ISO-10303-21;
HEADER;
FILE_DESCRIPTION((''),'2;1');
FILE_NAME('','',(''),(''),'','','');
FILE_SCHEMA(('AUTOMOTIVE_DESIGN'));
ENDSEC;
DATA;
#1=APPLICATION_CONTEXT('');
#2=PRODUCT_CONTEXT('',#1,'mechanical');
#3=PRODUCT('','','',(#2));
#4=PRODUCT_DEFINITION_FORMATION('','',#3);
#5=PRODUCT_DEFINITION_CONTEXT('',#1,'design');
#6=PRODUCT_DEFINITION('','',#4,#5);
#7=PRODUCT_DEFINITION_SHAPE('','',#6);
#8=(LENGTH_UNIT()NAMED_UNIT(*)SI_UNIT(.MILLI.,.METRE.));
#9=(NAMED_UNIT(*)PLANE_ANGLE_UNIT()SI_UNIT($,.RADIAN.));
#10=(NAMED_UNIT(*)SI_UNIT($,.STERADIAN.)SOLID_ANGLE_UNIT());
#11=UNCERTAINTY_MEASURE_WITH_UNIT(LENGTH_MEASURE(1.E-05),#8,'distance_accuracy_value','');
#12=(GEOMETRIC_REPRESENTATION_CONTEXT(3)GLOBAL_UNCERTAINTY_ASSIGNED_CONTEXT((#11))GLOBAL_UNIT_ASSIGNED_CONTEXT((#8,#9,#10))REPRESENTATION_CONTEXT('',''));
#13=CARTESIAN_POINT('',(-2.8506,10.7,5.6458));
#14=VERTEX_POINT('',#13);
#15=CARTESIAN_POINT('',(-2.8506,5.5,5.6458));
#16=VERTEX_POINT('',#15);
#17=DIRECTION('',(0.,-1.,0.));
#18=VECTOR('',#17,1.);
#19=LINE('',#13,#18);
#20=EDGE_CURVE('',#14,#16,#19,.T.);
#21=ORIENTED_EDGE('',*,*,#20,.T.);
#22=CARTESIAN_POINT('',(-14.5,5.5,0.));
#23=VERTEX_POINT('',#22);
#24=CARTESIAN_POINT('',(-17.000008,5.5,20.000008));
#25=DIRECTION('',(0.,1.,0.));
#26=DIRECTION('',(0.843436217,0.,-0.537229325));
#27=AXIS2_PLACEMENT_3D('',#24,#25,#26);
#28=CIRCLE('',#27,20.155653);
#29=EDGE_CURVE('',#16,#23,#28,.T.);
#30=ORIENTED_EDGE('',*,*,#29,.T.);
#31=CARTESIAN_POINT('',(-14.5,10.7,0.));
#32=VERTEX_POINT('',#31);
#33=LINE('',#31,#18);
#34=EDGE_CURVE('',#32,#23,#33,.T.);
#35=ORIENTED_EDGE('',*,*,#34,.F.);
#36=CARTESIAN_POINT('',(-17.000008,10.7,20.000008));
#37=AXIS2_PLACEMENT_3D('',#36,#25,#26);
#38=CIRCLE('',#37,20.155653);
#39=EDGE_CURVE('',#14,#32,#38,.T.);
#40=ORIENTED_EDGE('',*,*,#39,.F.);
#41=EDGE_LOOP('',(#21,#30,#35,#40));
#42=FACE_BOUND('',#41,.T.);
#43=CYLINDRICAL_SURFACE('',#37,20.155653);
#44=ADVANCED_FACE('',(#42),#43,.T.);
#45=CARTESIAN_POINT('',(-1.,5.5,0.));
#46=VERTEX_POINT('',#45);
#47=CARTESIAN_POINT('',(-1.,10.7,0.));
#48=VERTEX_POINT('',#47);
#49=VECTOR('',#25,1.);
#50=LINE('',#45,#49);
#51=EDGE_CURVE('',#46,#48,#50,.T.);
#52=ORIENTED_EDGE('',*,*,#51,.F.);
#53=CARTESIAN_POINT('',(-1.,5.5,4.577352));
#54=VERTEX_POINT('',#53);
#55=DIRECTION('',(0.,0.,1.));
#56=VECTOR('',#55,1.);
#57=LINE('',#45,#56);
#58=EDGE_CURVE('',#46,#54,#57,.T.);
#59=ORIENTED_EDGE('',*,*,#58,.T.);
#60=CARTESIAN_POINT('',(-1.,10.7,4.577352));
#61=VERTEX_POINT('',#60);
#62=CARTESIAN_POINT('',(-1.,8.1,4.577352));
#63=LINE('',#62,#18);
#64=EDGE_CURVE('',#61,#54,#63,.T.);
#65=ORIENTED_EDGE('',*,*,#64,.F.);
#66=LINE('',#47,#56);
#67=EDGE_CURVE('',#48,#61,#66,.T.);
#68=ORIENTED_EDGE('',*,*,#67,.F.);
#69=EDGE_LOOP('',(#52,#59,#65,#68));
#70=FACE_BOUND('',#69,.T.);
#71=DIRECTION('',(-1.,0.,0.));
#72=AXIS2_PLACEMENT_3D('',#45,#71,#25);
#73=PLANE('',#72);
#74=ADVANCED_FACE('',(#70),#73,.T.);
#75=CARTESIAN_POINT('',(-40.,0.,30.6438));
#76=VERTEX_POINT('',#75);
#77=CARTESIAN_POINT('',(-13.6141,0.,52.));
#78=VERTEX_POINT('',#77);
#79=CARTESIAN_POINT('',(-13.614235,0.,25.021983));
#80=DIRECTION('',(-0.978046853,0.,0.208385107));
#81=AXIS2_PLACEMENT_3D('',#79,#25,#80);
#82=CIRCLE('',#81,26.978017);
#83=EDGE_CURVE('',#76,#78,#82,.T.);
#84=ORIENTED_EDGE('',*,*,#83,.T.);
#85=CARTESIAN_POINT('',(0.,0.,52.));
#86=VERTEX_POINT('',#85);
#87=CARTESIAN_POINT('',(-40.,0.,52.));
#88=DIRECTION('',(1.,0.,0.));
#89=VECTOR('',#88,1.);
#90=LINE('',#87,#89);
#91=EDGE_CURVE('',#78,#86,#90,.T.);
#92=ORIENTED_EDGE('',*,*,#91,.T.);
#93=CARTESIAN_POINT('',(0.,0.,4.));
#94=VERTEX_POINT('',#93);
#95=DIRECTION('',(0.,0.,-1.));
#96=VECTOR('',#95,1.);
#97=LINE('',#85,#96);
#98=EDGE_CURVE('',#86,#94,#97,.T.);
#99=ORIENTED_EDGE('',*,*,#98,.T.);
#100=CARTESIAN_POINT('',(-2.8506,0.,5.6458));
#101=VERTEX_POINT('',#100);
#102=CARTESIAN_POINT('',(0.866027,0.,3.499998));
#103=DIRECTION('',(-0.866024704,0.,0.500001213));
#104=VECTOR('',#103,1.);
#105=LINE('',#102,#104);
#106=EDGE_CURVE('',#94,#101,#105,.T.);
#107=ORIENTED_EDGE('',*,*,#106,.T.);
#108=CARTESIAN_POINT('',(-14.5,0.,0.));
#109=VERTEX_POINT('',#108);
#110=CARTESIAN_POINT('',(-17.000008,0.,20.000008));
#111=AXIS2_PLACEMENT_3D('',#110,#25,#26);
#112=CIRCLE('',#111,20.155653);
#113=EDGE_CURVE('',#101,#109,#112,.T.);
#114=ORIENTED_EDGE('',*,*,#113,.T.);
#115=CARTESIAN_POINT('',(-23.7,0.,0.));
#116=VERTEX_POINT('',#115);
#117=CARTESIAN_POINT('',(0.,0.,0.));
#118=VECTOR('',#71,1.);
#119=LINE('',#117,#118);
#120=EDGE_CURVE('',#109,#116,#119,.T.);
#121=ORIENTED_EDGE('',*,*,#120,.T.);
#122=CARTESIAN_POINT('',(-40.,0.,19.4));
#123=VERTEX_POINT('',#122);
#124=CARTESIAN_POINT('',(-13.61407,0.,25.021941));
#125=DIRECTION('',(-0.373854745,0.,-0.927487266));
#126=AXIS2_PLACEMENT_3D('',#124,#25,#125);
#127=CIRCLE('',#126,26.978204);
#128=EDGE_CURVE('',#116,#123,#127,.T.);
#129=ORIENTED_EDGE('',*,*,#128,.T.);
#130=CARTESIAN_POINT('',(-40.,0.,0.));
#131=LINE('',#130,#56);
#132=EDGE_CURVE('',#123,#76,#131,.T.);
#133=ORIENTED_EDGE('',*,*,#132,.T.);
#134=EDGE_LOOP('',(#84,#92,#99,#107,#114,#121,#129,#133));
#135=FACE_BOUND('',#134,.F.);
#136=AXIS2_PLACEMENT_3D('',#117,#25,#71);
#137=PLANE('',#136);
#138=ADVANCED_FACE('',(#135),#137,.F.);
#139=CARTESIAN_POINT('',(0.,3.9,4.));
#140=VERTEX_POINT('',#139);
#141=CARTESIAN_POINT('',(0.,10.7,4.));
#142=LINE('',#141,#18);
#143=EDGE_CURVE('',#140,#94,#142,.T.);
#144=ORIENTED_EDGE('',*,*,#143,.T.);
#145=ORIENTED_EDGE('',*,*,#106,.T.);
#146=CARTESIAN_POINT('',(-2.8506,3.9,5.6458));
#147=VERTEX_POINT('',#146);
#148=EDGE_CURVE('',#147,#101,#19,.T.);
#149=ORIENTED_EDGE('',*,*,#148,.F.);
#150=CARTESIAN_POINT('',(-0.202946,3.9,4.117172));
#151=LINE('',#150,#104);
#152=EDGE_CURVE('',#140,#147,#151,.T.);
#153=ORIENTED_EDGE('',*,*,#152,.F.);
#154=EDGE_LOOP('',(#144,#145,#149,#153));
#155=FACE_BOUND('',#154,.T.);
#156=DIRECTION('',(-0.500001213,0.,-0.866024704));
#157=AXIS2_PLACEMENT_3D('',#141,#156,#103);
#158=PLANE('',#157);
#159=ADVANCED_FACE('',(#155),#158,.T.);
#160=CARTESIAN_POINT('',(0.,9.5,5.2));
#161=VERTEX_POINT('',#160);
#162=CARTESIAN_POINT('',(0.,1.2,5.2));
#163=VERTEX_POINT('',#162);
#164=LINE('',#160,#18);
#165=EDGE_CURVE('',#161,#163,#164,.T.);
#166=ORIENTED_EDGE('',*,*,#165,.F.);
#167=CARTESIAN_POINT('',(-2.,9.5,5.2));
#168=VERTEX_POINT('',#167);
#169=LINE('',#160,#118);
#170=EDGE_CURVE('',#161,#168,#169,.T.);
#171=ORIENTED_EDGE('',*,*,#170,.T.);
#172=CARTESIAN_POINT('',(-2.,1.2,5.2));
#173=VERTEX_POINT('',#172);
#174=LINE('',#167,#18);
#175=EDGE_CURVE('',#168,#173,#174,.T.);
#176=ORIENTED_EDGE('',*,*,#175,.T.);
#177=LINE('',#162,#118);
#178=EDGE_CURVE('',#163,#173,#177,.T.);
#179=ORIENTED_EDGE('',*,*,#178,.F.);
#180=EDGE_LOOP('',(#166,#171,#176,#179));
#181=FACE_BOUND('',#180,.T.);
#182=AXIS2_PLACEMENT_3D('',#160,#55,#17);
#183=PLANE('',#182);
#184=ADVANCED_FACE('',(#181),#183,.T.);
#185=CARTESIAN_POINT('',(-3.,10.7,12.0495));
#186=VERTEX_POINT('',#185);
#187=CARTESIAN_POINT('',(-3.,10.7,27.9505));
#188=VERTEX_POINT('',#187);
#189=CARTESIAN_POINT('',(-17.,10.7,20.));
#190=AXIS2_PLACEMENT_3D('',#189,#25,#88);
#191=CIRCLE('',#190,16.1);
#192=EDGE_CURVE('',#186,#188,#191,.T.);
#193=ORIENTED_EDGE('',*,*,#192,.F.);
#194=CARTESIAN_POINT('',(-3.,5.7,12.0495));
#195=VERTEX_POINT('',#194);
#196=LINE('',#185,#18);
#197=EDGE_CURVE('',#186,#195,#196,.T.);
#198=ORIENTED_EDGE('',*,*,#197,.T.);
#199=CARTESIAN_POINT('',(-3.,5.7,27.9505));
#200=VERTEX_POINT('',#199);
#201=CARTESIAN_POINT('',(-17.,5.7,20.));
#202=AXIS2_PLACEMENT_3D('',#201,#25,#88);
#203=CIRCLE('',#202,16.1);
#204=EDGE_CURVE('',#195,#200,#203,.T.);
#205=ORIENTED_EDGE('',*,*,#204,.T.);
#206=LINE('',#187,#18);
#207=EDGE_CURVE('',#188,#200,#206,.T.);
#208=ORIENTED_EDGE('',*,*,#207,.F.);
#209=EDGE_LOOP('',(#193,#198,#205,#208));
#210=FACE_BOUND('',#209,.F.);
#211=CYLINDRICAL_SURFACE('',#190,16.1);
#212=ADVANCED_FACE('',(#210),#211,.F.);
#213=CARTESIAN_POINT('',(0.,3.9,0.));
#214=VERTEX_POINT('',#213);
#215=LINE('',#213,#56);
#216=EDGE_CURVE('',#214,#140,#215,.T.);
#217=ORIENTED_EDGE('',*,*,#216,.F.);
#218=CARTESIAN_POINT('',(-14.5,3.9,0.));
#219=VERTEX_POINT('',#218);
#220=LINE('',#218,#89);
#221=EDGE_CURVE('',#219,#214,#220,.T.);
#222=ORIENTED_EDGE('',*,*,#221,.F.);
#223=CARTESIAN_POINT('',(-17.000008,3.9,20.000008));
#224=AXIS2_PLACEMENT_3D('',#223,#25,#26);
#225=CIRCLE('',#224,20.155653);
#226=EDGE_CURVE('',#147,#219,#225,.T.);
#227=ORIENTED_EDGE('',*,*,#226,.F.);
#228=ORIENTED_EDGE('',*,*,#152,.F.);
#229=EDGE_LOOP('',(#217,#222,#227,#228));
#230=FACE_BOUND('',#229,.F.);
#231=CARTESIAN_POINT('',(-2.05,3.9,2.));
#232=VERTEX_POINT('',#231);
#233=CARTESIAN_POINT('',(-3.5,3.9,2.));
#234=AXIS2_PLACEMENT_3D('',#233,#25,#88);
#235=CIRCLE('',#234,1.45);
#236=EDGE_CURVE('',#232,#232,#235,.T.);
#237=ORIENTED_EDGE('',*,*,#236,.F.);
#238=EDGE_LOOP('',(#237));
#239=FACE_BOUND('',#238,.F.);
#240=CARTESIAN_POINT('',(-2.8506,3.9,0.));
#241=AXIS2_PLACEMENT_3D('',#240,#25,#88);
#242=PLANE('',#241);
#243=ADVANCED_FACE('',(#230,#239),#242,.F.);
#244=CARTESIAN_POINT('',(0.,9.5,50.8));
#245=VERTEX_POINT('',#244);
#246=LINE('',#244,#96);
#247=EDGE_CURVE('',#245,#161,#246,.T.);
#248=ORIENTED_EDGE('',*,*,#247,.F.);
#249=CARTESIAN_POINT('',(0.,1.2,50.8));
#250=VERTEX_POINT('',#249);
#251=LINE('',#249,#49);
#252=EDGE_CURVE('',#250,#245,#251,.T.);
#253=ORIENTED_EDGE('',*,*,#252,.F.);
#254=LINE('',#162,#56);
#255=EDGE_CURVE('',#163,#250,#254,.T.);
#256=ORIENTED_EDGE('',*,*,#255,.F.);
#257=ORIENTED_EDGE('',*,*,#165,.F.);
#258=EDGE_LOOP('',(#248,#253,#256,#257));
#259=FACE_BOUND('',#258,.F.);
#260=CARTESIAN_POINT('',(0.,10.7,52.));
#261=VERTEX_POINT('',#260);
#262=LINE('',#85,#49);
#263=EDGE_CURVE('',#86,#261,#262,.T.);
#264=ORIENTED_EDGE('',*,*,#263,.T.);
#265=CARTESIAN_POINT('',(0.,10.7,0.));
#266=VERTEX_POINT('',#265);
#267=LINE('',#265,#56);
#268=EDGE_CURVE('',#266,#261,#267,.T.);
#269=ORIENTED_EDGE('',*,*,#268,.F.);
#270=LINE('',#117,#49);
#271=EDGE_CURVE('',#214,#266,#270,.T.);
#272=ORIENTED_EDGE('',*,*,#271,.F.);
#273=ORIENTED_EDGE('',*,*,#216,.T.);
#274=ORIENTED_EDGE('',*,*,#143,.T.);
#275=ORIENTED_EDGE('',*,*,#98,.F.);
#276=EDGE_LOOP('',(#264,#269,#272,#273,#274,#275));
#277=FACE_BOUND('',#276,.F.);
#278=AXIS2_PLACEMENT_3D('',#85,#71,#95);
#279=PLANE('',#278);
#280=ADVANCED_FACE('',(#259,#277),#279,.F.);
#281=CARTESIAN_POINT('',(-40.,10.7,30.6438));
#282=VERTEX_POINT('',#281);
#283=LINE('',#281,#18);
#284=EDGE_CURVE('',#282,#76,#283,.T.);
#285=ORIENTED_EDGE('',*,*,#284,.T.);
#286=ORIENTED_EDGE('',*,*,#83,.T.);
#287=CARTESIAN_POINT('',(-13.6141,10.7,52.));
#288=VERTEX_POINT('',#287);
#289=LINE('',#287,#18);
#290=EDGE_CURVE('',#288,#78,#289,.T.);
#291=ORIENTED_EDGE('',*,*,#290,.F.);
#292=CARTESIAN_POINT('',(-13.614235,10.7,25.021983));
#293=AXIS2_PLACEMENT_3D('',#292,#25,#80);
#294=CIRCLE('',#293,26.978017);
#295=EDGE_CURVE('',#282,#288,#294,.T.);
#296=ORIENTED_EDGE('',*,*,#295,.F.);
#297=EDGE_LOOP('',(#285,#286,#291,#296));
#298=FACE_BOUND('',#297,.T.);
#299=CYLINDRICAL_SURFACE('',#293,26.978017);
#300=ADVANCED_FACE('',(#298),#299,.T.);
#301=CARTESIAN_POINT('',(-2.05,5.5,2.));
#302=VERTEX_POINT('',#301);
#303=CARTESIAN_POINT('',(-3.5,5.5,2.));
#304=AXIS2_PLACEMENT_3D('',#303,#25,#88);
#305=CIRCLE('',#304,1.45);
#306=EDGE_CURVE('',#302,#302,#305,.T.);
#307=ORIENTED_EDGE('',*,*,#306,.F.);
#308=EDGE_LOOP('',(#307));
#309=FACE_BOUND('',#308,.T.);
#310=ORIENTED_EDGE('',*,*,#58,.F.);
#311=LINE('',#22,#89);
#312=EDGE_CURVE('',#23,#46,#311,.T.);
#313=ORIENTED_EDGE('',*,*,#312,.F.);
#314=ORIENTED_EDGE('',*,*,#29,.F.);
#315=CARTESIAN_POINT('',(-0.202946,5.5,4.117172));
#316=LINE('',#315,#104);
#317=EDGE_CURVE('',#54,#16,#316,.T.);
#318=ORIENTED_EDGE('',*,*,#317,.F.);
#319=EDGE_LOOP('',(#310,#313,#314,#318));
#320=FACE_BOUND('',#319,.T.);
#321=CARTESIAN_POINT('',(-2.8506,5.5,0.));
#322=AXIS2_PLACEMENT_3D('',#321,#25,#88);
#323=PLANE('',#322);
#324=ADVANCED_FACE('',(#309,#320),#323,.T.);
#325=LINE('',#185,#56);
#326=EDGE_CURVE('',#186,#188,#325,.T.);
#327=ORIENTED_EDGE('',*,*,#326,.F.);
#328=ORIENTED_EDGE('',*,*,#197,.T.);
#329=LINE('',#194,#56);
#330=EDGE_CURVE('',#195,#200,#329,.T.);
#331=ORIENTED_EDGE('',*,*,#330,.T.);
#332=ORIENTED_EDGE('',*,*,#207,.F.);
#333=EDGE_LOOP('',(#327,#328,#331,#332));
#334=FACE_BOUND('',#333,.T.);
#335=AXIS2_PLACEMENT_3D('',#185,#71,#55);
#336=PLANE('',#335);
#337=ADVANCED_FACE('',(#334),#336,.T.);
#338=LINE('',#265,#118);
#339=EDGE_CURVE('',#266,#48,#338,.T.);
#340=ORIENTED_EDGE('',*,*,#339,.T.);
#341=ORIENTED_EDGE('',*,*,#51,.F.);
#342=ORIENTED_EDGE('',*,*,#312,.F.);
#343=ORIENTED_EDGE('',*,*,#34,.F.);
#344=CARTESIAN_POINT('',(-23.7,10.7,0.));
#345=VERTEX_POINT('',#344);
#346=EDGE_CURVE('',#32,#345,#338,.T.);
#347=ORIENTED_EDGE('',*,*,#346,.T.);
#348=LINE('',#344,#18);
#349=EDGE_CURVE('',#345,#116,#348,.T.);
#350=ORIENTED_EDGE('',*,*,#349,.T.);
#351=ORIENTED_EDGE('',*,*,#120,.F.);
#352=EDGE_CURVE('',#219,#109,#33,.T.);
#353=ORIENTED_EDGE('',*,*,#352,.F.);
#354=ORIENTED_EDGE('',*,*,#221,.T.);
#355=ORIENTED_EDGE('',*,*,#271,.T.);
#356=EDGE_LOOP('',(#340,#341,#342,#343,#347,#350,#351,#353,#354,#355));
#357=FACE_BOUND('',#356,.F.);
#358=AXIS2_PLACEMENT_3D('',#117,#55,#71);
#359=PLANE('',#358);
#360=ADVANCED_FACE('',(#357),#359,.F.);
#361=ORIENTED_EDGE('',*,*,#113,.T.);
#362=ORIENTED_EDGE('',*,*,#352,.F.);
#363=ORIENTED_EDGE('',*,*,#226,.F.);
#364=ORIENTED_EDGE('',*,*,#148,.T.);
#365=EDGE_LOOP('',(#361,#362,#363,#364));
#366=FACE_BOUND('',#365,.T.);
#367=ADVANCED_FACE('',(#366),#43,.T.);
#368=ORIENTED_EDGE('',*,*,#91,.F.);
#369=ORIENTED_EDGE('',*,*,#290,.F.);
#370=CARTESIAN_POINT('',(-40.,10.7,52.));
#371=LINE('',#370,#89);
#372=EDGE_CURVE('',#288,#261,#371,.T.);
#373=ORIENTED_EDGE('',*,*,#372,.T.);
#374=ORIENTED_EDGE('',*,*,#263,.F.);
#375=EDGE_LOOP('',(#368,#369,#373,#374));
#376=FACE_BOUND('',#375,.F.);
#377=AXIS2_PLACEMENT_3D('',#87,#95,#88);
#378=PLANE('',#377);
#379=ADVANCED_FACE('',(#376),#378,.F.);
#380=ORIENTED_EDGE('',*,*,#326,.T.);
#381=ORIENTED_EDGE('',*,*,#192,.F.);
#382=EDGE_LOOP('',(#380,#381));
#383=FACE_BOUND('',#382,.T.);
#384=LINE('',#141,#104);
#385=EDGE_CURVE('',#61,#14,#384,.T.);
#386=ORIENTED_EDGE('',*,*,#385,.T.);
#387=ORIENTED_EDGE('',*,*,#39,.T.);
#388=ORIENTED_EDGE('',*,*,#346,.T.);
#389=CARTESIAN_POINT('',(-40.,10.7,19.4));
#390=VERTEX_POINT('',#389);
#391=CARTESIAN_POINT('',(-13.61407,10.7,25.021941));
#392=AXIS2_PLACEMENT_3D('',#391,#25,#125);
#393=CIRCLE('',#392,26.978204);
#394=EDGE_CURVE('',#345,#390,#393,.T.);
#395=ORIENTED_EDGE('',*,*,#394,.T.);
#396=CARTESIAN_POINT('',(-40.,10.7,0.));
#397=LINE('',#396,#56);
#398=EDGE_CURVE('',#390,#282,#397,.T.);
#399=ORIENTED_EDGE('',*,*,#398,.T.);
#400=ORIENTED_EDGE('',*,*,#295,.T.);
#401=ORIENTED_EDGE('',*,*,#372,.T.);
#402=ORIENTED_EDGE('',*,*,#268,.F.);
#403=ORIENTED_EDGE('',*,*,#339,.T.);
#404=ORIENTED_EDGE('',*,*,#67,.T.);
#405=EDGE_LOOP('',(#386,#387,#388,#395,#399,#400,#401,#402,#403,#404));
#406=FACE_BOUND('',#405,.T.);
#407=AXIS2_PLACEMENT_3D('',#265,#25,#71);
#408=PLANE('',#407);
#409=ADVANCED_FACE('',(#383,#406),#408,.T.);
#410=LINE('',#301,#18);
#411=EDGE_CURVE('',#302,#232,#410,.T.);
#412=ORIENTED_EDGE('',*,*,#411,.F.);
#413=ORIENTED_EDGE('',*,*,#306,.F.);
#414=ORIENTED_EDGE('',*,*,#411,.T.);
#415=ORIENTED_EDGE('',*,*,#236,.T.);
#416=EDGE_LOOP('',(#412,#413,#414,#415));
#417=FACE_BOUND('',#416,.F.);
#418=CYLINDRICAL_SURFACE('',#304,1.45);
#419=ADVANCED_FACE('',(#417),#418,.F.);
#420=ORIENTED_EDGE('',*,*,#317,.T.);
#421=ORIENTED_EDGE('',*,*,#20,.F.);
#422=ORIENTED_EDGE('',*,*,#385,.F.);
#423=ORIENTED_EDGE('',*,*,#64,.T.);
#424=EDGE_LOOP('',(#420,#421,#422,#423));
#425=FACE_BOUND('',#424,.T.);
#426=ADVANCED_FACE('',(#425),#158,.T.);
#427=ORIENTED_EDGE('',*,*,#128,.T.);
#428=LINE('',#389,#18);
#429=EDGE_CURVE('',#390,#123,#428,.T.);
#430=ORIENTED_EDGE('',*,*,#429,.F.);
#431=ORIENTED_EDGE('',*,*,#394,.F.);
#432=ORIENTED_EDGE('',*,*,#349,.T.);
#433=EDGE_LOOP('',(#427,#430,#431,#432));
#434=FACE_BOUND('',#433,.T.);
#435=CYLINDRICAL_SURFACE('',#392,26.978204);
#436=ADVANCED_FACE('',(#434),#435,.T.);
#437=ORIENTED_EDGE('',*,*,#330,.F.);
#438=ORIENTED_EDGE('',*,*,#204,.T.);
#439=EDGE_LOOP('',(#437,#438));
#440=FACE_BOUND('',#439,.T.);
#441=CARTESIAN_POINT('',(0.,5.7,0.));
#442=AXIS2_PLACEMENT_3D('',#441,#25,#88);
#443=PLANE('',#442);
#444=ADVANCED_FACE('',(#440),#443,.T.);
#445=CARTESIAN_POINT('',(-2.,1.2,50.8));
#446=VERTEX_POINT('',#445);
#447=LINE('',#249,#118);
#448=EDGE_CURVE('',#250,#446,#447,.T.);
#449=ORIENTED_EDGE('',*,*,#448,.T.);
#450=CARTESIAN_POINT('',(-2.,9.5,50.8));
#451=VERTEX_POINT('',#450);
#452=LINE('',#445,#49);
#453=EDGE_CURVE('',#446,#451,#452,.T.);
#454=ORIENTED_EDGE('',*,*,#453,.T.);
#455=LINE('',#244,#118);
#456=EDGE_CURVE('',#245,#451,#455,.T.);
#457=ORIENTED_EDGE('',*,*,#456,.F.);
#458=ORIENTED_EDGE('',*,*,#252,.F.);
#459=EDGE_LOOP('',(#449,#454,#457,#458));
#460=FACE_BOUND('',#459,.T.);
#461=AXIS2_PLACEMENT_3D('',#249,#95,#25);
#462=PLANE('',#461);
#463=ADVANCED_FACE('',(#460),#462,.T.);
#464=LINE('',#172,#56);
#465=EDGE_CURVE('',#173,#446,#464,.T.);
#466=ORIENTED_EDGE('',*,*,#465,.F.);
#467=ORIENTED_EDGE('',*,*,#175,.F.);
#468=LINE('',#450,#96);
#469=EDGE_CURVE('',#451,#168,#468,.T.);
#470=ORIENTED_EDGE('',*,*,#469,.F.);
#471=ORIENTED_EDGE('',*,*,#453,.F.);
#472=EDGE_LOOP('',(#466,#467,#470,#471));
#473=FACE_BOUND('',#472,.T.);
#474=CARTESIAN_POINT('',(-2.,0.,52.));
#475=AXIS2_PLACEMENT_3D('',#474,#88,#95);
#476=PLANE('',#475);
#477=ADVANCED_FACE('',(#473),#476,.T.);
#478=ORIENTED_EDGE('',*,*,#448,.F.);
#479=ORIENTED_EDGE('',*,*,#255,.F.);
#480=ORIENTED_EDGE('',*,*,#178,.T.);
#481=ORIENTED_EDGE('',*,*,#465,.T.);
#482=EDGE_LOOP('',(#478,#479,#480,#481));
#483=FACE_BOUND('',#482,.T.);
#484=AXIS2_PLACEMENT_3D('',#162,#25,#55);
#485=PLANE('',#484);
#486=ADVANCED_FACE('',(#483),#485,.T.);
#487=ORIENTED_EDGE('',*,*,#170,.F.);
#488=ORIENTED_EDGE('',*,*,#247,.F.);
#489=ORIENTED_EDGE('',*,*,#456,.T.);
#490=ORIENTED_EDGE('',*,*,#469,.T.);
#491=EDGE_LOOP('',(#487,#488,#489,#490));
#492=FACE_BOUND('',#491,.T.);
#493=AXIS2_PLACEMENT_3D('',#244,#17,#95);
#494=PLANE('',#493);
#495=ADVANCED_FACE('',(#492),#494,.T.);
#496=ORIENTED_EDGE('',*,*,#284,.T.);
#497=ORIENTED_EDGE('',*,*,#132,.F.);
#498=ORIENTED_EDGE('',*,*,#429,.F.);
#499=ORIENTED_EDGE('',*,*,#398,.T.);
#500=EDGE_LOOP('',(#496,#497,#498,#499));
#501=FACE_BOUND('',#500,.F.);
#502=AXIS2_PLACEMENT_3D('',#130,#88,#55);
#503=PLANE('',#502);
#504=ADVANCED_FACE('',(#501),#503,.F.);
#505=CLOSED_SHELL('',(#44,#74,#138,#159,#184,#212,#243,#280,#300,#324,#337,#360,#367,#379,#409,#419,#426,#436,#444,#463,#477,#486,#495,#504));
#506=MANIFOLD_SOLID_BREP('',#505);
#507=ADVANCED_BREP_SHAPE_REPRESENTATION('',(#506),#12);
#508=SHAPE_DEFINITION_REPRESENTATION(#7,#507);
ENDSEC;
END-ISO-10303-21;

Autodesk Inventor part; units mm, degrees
ref_plane "YZ Plane" through (0, 0, 0) normal (1, 0, 0) x (0, 1, 0)
ref_plane "XZ Plane" through (0, 0, 0) normal (0, 1, 0) x (-1, 0, 0)
ref_plane "XY Plane" through (0, 0, 0) normal (0, 0, 1) x (1, 0, 0)
sketch "Sketch1" plane through (0, 0, 0) normal (0, 1, 0) x (-1, 0, 0)
  line L0 (0, 0) -> (40, 0)
  line L1 (40, 0) -> (40, 52)
  line L2 (40, 52) -> (0, 52)
  line L3 (0, 52) -> (0, 0)
  dimension "d0" = 40
  dimension "d1" = 52
extrude "Extrusion1" add sketch "Sketch1" along normal blind 10.7
sketch "Sketch2" plane through (0, 10.7, 0) normal (0, 1, 0) x (1, 0, 0)
  line L0 (0, 0) -> (-40, 0)
  line L1 (-40, 0) -> (-40, -52)
  line L2 (-40, -52) -> (0, -52)
  line L3 (0, -52) -> (0, 0)
  arc A0 (-23.7, 0) -> (-40, -19.4) centre (-13.6141, -25.0219) ccw
  line L4 (-40, -19.4) -> (0, -19.4) construction
  arc A1 (-40, -30.6438) -> (-13.6141, -52) centre (-13.6141, -25.0219) ccw
  arc A2 (-40, -19.4) -> (-40, -30.6438) centre (-13.6141, -25.0219) ccw
  arc A3 (0, -9.1718) -> (-14.5, 0) centre (-17, -20) ccw
  line L5 (0, -4) -> (-2.8506, -5.6458)
  dimension "d8" = 16.3
  dimension "d9" = 19.4
  dimension "d12" = 20
  dimension "d13" = 17
  dimension "d14" = 14.5
  dimension "d15" = 4
  dimension "d16" = 30
extrude "Extrusion2" cut sketch "Sketch2" against normal through all contours L3 L5 A3 L0 | A0 L1 L0 | A1 L2 L1
sketch "Sketch4" plane through (0, 10.7, 0) normal (0, 1, 0) x (1, 0, 0)
  line L0 (0, -52) -> (0, -4)
  arc A0 (-2.8506, -5.6458) -> (-14.5, 0) centre (-17, -20) ccw
  line L1 (-14.5, 0) -> (-23.7, 0)
  circle A1 centre (-17, -20) radius 16.1
  line L2 (-3, -12.0495) -> (-3, -27.9505)
  point P0 (0, 0)
  dimension "d17" = 32.2
  dimension "d18" = 3
extrude "Extrusion3" cut sketch "Sketch4" against normal blind 5 contours L2 A1 picked at (-14.3987, -21.2686)
sketch "Sketch5" plane through (0, 0, 52) normal (1, 0, 0) x (0, 0, -1)
  line L0 (48, 0) -> (48, 10.7)
  line L1 (0, 10.7) -> (48, 10.7)
  line L2 (0, 0) -> (0, 10.7)
  line L3 (0, 0) -> (48, 0)
  line L4 (46.8, 9.5) -> (46.8, 1.2)
  line L5 (46.8, 1.2) -> (1.2, 1.2)
  line L6 (1.2, 1.2) -> (1.2, 9.5)
  line L7 (1.2, 9.5) -> (46.8, 9.5)
  point P0 (52, 0)
  dimension "d21" = 1.2
extrude "Extrusion4" cut sketch "Sketch5" against normal blind 2 contours L4 L5 L6 L7
sketch "Sketch6" plane through (-14.5, 0, 0) normal (0, 0, -1) x (-1, 0, 0)
  line L0 (0, 10.7) -> (9.2, 10.7)
  line L1 (-11.6494, 0) -> (-14.5, 0)
  line L2 (-11.6494, 10.7) -> (-11.6494, 0)
  line L3 (-14.5, 10.7) -> (-11.6494, 10.7)
  line L4 (-14.5, 0) -> (-14.5, 10.7)
  line L5 (0, 0) -> (-11.6494, 0)
  line L6 (0, 10.7) -> (0, 0)
  line L7 (-11.6494, 10.7) -> (0, 10.7)
  line L8 (-11.6494, 10.7) -> (-11.6494, 0)
  line L9 (0, 3.9) -> (-14.5, 3.9)
  line L10 (0, 5.5) -> (-13.5, 5.5)
  line L11 (-13.5, 5.5) -> (-13.5, 10.7)
  dimension "d24" = 1
  dimension "d25" = 1.6
  dimension "d26" = 3.9
extrude "Extrusion5" add sketch "Sketch6" against normal up to next contours L9 L4 L3 L11 L10 L2 | L2 L10 L6 L9
sketch "Sketch7" plane through (-14.5, 5.5, 0) normal (0, 1, 0) x (1, 0, 0)
  line L0 (0, 0) -> (13.5, 0)
  circle A0 centre (11, -2) radius 1.45
  line L1 (14.5, 0) -> (14.5, -4)
  dimension "d29" = 2.9
  dimension "d30" = 3.5
  dimension "d31" = 2
extrude "Extrusion6" cut sketch "Sketch7" against normal through all
properties part number "Ventilador"
